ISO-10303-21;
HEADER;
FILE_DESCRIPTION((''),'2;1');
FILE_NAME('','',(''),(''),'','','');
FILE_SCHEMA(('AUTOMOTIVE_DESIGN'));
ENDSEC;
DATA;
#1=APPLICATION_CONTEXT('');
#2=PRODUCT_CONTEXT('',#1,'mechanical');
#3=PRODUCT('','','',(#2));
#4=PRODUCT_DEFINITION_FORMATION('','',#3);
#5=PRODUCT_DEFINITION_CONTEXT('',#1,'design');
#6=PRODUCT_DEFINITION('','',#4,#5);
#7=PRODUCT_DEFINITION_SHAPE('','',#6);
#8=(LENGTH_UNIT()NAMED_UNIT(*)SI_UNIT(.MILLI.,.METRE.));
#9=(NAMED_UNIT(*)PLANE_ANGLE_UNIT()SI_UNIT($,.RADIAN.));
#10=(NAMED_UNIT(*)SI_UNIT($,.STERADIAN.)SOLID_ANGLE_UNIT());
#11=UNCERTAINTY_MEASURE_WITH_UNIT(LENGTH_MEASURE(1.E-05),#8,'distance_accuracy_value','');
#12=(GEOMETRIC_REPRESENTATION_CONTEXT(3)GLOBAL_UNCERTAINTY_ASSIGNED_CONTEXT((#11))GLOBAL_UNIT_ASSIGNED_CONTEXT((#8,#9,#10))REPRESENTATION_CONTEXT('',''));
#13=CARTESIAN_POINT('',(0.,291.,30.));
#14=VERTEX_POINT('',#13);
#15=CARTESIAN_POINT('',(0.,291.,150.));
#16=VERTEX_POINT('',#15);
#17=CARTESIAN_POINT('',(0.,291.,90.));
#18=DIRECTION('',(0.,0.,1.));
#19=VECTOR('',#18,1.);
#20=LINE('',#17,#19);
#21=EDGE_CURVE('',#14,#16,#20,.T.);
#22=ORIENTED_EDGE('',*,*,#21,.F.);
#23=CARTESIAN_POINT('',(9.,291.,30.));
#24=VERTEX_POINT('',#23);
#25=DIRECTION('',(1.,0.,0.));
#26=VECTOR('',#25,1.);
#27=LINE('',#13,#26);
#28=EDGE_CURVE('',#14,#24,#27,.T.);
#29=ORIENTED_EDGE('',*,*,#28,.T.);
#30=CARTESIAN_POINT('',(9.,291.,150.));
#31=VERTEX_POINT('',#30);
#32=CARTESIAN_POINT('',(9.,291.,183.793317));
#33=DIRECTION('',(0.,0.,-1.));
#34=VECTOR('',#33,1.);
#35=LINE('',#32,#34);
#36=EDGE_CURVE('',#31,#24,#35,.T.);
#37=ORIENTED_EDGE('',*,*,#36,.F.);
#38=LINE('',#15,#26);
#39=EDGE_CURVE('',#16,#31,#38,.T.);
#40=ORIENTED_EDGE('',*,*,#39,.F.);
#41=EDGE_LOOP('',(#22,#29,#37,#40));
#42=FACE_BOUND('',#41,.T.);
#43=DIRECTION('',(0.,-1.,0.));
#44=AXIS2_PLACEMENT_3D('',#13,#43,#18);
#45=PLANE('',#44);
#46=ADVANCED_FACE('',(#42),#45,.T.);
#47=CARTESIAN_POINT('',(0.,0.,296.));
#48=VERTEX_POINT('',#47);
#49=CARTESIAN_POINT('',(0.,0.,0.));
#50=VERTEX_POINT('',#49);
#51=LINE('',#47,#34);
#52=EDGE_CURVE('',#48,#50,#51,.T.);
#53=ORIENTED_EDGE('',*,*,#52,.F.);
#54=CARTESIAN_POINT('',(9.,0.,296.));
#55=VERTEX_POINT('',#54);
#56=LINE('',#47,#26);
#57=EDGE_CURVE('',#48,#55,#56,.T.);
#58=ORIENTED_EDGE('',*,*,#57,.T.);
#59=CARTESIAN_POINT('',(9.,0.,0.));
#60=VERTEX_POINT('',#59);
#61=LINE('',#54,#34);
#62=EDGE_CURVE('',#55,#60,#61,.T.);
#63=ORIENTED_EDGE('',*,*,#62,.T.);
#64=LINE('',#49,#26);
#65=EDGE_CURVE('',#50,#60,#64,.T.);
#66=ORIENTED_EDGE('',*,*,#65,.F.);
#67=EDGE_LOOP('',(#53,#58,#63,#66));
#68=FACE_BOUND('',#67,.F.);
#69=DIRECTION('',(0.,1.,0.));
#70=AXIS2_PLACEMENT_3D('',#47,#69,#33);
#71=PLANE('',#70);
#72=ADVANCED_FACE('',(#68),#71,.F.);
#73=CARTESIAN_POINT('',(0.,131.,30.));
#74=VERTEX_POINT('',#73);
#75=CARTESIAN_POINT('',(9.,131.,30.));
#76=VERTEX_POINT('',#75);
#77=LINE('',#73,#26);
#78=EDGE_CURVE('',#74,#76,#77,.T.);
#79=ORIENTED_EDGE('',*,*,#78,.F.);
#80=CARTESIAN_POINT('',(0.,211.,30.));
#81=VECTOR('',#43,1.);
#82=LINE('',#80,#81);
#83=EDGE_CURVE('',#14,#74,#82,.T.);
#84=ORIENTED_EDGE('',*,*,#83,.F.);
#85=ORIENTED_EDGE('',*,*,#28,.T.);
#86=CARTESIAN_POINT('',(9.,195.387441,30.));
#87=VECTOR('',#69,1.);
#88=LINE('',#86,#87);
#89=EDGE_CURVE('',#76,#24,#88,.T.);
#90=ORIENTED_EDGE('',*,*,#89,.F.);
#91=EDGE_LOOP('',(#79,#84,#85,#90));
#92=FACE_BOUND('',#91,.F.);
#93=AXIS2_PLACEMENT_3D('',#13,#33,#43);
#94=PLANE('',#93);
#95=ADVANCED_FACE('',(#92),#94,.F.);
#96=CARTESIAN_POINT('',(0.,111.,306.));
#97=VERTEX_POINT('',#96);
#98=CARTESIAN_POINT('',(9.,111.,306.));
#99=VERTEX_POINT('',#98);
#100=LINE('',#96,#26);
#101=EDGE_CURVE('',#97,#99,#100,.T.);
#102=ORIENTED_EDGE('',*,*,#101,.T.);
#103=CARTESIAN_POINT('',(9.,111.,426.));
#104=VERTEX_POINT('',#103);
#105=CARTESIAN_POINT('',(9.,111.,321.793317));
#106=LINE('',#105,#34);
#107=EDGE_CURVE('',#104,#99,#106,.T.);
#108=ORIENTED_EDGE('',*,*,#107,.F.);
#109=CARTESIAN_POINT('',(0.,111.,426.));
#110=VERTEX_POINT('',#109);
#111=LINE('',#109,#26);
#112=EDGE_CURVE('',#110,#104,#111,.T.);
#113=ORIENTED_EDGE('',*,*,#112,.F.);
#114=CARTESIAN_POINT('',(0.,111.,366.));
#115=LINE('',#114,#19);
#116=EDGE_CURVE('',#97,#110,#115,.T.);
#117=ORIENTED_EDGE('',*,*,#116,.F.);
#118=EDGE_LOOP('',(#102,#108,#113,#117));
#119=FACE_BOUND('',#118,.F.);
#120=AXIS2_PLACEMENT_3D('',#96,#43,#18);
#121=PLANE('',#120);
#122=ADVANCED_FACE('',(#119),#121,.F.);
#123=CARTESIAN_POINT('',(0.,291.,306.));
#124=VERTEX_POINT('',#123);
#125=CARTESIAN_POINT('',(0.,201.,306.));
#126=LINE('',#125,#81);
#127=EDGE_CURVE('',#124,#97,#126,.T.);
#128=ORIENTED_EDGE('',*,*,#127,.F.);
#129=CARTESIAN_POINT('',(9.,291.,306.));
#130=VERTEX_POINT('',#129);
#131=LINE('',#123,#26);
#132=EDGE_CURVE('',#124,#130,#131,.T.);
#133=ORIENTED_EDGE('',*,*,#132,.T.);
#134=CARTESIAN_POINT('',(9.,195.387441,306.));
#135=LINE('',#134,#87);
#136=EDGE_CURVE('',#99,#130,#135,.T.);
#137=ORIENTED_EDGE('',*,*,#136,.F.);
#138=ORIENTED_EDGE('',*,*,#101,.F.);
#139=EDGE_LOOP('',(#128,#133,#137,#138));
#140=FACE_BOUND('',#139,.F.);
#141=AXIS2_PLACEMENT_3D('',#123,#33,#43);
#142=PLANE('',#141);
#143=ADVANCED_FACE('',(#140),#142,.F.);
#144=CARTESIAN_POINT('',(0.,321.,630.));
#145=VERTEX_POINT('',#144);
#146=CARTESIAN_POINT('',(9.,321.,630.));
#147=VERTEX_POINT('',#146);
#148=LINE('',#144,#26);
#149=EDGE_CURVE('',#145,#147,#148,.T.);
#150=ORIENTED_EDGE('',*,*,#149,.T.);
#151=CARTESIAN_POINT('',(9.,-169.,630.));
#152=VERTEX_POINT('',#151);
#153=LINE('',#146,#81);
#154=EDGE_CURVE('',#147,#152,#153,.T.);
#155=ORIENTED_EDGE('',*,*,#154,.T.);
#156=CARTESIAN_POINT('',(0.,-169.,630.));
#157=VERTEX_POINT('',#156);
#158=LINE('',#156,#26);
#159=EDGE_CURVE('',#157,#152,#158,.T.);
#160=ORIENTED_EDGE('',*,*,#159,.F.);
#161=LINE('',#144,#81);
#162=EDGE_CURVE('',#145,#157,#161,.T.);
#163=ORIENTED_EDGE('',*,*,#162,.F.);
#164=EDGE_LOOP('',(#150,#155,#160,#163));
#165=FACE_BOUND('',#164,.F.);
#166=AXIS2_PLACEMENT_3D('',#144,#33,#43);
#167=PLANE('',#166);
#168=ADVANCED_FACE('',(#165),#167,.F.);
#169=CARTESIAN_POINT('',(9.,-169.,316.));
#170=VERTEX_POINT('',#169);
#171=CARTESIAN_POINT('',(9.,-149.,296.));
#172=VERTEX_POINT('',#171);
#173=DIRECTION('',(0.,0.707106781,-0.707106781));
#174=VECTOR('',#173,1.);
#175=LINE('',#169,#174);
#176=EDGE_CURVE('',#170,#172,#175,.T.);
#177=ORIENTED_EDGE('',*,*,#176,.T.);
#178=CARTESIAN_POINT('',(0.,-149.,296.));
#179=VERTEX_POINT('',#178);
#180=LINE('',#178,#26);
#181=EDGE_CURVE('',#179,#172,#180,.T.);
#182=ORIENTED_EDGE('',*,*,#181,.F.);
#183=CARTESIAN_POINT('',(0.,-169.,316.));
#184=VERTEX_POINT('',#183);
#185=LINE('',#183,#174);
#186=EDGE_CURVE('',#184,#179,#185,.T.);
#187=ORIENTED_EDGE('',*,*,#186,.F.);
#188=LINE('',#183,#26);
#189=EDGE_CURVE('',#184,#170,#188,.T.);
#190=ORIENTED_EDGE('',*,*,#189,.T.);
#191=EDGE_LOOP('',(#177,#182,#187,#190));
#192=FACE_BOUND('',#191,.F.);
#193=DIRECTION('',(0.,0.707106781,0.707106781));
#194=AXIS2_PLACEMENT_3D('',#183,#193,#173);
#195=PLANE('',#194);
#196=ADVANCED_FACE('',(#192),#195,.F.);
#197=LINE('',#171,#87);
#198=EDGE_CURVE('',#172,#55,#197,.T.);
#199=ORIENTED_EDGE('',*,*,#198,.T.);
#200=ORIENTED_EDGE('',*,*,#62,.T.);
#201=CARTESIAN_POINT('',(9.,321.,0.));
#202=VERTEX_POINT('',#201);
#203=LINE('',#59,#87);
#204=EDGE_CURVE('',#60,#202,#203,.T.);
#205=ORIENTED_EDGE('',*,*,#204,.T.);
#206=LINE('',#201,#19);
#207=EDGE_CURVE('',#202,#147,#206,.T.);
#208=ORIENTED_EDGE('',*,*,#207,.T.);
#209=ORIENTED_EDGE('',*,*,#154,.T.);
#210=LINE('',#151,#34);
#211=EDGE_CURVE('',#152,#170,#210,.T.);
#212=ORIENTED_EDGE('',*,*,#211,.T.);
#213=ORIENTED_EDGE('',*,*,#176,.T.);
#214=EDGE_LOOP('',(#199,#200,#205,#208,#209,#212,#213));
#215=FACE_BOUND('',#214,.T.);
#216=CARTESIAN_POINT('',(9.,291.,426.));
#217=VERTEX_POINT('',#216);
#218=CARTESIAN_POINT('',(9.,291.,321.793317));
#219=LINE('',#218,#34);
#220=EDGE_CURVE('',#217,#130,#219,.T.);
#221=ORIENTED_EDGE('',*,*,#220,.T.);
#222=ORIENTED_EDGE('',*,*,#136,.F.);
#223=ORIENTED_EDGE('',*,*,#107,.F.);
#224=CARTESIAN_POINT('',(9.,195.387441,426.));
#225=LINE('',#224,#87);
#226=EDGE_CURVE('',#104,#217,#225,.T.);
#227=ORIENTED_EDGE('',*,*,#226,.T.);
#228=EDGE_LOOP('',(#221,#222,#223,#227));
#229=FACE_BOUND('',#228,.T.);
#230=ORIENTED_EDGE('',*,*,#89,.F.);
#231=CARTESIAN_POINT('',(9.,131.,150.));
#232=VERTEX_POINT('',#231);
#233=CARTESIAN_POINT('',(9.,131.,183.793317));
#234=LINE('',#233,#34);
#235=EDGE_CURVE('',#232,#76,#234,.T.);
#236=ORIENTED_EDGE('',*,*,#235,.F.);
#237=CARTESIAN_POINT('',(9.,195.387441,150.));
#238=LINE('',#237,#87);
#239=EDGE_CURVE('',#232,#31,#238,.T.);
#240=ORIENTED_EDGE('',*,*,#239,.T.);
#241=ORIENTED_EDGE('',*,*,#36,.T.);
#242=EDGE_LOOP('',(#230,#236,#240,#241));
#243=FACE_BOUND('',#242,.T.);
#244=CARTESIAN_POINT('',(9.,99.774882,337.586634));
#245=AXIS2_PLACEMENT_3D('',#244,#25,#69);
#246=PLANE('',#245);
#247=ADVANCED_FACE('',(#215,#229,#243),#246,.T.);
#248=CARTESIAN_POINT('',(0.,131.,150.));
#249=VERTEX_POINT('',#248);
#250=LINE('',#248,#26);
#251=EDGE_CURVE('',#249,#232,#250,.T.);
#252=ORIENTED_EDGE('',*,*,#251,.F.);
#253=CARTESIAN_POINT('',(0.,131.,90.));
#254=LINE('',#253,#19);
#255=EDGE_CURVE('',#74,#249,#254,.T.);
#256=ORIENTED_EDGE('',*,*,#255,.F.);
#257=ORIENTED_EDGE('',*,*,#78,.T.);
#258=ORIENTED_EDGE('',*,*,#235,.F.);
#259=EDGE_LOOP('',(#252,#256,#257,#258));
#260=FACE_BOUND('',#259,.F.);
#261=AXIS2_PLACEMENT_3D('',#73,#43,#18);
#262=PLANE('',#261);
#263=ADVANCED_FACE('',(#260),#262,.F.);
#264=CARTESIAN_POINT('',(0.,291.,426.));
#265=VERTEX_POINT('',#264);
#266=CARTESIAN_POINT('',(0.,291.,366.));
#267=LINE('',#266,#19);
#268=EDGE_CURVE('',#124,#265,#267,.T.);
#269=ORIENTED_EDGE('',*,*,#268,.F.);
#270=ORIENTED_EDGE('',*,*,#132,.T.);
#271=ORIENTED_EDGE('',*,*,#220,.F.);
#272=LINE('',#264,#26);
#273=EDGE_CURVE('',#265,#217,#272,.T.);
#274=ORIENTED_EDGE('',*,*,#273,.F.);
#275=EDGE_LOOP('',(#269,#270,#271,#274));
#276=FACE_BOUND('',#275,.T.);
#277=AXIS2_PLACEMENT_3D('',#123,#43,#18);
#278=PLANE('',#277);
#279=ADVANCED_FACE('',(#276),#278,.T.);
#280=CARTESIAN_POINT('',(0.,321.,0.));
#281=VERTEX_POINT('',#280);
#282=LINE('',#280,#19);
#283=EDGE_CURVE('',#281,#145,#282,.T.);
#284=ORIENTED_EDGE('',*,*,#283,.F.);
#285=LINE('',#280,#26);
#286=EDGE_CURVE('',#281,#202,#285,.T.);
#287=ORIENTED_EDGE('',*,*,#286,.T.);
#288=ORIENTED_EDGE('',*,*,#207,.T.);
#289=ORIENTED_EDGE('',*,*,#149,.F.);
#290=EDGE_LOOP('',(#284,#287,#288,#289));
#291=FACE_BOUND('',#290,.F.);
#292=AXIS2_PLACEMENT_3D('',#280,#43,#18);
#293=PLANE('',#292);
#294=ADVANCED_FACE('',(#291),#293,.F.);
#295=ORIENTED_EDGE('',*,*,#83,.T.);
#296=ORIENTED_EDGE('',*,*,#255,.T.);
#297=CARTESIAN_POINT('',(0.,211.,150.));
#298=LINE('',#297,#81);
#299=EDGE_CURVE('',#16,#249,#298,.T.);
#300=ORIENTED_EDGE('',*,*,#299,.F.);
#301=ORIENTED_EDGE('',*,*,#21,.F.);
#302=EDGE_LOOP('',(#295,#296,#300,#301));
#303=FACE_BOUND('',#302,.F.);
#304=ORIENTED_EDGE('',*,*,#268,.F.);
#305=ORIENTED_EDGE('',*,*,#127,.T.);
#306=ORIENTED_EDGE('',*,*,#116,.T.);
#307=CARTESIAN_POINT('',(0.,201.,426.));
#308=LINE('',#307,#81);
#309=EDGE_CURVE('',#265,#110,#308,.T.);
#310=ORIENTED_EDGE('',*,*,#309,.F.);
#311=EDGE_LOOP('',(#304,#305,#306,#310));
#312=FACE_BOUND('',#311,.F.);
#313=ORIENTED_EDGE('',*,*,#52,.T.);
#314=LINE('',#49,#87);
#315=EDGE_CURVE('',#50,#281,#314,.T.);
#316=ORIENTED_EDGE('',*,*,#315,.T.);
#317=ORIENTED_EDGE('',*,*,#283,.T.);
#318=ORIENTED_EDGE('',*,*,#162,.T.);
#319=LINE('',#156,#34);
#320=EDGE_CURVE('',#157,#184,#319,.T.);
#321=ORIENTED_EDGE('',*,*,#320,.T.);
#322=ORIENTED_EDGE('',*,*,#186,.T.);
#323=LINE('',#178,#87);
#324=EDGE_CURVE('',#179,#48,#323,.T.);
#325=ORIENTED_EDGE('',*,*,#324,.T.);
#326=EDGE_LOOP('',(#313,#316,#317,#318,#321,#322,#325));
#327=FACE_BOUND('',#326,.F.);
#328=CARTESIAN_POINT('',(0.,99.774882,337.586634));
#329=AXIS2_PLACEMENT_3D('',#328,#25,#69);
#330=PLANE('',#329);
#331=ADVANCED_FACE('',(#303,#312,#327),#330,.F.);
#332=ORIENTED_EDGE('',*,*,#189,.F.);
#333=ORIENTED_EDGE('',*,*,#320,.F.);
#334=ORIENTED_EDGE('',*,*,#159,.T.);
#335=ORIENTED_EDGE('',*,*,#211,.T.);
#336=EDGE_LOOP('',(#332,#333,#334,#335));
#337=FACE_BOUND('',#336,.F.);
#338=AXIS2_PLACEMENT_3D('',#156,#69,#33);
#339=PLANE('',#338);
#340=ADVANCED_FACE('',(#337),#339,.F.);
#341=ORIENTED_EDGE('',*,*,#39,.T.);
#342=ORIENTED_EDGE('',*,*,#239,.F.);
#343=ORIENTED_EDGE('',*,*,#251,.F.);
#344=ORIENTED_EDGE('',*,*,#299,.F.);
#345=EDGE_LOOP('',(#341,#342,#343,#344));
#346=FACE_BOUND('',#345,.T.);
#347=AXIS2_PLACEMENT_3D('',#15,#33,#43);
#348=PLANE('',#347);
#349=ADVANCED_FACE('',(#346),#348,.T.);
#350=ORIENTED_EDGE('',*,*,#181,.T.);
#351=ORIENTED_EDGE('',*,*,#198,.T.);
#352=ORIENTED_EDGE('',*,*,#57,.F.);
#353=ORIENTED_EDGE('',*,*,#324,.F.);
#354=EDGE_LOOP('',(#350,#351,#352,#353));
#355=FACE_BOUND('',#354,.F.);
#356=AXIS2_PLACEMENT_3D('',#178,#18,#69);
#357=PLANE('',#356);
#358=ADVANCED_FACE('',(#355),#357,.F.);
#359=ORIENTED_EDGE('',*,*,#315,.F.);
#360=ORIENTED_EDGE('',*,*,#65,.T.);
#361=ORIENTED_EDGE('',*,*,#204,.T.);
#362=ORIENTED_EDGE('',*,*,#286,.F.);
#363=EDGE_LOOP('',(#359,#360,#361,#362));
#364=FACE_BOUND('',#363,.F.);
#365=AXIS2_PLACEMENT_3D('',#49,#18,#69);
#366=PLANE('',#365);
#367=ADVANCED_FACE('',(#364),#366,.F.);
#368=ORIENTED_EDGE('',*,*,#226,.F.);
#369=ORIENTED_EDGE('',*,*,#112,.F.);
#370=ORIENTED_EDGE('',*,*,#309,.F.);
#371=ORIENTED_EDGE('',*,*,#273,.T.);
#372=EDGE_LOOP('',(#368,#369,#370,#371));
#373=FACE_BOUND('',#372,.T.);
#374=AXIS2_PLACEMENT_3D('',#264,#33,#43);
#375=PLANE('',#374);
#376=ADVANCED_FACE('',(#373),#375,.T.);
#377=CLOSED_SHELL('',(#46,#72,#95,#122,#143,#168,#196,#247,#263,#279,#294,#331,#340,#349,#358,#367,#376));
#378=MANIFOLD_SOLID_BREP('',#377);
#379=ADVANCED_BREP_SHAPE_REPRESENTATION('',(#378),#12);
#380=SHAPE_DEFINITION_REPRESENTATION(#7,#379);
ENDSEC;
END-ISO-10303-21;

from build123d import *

# Parameters (mm, degrees)
F1_DEPTH = 9
F2_W     = 180
F2_H     = 120
F2_W_2   = 160
F3_DEPTH = 25


with BuildPart() as f1:
    # F0 (on Right) → F1 (new body)
    with BuildSketch(Plane.YZ):
        Polygon((0, 296), (0, 0), (321, 0), (321, 630), (-169, 630), (-169, 316), (-149, 296), align=None)
    extrude(amount=F1_DEPTH)

    # F2 (on face) → F3 (cut)
    with BuildSketch(Plane(origin=(0, 0, 0), x_dir=(0, -1, 0), z_dir=(-1, 0, 0))):
        with Locations((-201, 366)):
            Rectangle(F2_W, F2_H)
        with Locations((-211, 90)):
            Rectangle(F2_W_2, F2_H)
    extrude(amount=-F3_DEPTH, mode=Mode.SUBTRACT)


solid = f1.part
